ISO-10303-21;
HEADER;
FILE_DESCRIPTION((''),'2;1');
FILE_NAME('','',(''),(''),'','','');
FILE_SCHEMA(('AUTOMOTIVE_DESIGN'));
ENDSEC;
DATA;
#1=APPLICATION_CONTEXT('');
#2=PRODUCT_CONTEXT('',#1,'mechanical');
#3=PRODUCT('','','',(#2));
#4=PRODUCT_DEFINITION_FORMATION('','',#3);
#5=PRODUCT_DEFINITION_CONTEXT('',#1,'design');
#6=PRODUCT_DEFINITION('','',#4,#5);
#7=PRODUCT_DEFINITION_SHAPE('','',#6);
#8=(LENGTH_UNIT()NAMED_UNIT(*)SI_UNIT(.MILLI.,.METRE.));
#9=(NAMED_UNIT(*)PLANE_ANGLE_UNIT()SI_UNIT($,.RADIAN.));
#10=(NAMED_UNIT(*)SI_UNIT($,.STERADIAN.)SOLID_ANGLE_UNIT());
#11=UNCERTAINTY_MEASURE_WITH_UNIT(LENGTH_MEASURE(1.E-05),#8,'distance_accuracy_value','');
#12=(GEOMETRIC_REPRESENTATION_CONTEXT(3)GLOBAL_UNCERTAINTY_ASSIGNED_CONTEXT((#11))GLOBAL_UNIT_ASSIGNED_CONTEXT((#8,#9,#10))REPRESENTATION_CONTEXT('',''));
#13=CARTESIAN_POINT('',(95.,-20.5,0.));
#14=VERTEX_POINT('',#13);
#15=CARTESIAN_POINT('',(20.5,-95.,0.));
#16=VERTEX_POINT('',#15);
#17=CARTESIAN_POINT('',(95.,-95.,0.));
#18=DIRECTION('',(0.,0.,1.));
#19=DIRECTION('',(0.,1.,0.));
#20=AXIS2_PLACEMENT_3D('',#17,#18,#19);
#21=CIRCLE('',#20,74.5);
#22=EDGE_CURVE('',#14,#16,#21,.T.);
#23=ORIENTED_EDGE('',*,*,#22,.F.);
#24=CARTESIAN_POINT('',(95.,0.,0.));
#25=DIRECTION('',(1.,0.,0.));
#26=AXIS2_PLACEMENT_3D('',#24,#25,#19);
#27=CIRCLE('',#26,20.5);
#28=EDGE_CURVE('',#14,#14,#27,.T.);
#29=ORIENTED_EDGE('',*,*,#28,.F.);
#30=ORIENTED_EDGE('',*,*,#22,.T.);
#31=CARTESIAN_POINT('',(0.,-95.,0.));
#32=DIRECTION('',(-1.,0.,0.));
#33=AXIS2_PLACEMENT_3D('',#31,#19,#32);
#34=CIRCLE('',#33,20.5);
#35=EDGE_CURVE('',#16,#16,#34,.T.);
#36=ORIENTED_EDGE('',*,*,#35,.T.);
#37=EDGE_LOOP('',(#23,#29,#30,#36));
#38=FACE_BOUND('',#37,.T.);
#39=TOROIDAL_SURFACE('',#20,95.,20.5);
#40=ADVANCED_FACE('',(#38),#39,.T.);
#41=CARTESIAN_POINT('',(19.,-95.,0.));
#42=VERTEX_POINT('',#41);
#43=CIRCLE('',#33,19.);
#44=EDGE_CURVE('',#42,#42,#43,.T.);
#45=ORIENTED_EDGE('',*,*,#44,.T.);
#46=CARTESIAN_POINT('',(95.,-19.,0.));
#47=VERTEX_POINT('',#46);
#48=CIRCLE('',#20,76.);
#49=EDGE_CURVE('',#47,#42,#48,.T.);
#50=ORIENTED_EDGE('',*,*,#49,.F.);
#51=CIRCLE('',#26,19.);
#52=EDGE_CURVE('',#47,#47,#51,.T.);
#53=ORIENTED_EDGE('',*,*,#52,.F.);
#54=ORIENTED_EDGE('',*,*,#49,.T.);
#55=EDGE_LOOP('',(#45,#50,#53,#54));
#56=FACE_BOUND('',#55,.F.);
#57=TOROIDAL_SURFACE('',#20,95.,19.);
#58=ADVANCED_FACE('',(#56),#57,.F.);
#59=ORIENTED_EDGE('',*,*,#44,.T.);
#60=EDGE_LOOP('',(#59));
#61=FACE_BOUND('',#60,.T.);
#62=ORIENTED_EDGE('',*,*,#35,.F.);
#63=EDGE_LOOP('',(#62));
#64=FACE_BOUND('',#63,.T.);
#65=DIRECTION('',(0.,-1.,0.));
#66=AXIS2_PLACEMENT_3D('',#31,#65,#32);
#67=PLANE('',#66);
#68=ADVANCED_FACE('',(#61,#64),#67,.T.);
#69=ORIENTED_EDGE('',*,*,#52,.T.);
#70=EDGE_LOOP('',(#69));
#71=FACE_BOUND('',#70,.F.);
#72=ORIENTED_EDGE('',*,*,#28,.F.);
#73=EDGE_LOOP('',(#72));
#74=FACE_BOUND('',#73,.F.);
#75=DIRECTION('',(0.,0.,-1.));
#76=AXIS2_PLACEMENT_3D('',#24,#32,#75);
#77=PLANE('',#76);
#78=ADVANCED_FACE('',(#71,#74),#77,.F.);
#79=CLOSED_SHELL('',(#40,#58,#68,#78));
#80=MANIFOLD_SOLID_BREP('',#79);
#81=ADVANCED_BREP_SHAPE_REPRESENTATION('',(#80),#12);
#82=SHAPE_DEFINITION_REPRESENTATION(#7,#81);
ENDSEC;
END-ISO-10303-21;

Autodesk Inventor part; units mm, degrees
ref_plane "YZ Plane" through (0, 0, 0) normal (1, 0, 0) x (0, 1, 0)
ref_plane "XZ Plane" through (0, 0, 0) normal (0, 1, 0) x (-1, 0, 0)
sketch "Szkic6" plane through (0, 0, 0) normal (0, 0, 1) x (1, 0, 0)
  line L0 (-29.6067, 0) -> (35.2678, 0) construction
  line L1 (0, 42.3419) -> (0, -58.3726) construction
  arc A0 (95, 0) -> (0, -95) centre (95, -95) ccw
  line L2 (0, -95) -> (95, -95) construction
  line L3 (95, -95) -> (95, -29.4669) construction
  line L4 (95, 0) -> (95, 0)
  line L5 (0, -95) -> (0, -95)
  point P0 (0, 0)
  dimension "d24" = 95
  dimension "d31" = 90
  dimension "d36" = 0
  dimension "d37" = 0
ref_plane "Płaszczyzna konstrukcyjna2" through (0, -95, 0) normal (0, -1, 0) x (1, 0, 0)
sketch "Szkic8" plane through (0, -95, 0) normal (0, -1, 0) x (1, 0, 0)
  circle A0 centre (0, 0) radius 20.5
  circle A1 centre (0, 0) radius 19
  dimension "d32" = 41
  dimension "d33" = 1.5
sweep "Przeciągnięcie2" add profiles "Szkic8" path "Szkic6"
equation "\"d32\" = OD"
equation "\"d33\" = THK"
equation "\"d24\" = R"
equation "\"d31\" = KAT"
equation "\"SzerokośćGięciaPodcięcia\" = Grubość"
equation "\"RozmiarPodcięciaNarożnika\" = 4 * Grubość"
equation "\"PromieńPrzejścia\" = PromieńGięcia"
equation "\"Rozmiar_promienia_Jacobiego\" = PromieńGięcia"
equation "\"Wielk_odstępu\" = Grubość"
equation "\"d2\" = PromieńGięcia"
equation "\"d23\" = PromieńGięcia"
equation "\"R\" = 95"
equation "\"OD\" = 41"
equation "\"THK\" = 1.5"
equation "\"KAT\" = 90deg"
equation "\"PROSTKA\" = 0"
equation "\"Grubość\" = 1.5"
equation "\"PromieńGięcia\" = 3"
properties part number "Kolano 90° ø41x1,5 R95" material "304L"
